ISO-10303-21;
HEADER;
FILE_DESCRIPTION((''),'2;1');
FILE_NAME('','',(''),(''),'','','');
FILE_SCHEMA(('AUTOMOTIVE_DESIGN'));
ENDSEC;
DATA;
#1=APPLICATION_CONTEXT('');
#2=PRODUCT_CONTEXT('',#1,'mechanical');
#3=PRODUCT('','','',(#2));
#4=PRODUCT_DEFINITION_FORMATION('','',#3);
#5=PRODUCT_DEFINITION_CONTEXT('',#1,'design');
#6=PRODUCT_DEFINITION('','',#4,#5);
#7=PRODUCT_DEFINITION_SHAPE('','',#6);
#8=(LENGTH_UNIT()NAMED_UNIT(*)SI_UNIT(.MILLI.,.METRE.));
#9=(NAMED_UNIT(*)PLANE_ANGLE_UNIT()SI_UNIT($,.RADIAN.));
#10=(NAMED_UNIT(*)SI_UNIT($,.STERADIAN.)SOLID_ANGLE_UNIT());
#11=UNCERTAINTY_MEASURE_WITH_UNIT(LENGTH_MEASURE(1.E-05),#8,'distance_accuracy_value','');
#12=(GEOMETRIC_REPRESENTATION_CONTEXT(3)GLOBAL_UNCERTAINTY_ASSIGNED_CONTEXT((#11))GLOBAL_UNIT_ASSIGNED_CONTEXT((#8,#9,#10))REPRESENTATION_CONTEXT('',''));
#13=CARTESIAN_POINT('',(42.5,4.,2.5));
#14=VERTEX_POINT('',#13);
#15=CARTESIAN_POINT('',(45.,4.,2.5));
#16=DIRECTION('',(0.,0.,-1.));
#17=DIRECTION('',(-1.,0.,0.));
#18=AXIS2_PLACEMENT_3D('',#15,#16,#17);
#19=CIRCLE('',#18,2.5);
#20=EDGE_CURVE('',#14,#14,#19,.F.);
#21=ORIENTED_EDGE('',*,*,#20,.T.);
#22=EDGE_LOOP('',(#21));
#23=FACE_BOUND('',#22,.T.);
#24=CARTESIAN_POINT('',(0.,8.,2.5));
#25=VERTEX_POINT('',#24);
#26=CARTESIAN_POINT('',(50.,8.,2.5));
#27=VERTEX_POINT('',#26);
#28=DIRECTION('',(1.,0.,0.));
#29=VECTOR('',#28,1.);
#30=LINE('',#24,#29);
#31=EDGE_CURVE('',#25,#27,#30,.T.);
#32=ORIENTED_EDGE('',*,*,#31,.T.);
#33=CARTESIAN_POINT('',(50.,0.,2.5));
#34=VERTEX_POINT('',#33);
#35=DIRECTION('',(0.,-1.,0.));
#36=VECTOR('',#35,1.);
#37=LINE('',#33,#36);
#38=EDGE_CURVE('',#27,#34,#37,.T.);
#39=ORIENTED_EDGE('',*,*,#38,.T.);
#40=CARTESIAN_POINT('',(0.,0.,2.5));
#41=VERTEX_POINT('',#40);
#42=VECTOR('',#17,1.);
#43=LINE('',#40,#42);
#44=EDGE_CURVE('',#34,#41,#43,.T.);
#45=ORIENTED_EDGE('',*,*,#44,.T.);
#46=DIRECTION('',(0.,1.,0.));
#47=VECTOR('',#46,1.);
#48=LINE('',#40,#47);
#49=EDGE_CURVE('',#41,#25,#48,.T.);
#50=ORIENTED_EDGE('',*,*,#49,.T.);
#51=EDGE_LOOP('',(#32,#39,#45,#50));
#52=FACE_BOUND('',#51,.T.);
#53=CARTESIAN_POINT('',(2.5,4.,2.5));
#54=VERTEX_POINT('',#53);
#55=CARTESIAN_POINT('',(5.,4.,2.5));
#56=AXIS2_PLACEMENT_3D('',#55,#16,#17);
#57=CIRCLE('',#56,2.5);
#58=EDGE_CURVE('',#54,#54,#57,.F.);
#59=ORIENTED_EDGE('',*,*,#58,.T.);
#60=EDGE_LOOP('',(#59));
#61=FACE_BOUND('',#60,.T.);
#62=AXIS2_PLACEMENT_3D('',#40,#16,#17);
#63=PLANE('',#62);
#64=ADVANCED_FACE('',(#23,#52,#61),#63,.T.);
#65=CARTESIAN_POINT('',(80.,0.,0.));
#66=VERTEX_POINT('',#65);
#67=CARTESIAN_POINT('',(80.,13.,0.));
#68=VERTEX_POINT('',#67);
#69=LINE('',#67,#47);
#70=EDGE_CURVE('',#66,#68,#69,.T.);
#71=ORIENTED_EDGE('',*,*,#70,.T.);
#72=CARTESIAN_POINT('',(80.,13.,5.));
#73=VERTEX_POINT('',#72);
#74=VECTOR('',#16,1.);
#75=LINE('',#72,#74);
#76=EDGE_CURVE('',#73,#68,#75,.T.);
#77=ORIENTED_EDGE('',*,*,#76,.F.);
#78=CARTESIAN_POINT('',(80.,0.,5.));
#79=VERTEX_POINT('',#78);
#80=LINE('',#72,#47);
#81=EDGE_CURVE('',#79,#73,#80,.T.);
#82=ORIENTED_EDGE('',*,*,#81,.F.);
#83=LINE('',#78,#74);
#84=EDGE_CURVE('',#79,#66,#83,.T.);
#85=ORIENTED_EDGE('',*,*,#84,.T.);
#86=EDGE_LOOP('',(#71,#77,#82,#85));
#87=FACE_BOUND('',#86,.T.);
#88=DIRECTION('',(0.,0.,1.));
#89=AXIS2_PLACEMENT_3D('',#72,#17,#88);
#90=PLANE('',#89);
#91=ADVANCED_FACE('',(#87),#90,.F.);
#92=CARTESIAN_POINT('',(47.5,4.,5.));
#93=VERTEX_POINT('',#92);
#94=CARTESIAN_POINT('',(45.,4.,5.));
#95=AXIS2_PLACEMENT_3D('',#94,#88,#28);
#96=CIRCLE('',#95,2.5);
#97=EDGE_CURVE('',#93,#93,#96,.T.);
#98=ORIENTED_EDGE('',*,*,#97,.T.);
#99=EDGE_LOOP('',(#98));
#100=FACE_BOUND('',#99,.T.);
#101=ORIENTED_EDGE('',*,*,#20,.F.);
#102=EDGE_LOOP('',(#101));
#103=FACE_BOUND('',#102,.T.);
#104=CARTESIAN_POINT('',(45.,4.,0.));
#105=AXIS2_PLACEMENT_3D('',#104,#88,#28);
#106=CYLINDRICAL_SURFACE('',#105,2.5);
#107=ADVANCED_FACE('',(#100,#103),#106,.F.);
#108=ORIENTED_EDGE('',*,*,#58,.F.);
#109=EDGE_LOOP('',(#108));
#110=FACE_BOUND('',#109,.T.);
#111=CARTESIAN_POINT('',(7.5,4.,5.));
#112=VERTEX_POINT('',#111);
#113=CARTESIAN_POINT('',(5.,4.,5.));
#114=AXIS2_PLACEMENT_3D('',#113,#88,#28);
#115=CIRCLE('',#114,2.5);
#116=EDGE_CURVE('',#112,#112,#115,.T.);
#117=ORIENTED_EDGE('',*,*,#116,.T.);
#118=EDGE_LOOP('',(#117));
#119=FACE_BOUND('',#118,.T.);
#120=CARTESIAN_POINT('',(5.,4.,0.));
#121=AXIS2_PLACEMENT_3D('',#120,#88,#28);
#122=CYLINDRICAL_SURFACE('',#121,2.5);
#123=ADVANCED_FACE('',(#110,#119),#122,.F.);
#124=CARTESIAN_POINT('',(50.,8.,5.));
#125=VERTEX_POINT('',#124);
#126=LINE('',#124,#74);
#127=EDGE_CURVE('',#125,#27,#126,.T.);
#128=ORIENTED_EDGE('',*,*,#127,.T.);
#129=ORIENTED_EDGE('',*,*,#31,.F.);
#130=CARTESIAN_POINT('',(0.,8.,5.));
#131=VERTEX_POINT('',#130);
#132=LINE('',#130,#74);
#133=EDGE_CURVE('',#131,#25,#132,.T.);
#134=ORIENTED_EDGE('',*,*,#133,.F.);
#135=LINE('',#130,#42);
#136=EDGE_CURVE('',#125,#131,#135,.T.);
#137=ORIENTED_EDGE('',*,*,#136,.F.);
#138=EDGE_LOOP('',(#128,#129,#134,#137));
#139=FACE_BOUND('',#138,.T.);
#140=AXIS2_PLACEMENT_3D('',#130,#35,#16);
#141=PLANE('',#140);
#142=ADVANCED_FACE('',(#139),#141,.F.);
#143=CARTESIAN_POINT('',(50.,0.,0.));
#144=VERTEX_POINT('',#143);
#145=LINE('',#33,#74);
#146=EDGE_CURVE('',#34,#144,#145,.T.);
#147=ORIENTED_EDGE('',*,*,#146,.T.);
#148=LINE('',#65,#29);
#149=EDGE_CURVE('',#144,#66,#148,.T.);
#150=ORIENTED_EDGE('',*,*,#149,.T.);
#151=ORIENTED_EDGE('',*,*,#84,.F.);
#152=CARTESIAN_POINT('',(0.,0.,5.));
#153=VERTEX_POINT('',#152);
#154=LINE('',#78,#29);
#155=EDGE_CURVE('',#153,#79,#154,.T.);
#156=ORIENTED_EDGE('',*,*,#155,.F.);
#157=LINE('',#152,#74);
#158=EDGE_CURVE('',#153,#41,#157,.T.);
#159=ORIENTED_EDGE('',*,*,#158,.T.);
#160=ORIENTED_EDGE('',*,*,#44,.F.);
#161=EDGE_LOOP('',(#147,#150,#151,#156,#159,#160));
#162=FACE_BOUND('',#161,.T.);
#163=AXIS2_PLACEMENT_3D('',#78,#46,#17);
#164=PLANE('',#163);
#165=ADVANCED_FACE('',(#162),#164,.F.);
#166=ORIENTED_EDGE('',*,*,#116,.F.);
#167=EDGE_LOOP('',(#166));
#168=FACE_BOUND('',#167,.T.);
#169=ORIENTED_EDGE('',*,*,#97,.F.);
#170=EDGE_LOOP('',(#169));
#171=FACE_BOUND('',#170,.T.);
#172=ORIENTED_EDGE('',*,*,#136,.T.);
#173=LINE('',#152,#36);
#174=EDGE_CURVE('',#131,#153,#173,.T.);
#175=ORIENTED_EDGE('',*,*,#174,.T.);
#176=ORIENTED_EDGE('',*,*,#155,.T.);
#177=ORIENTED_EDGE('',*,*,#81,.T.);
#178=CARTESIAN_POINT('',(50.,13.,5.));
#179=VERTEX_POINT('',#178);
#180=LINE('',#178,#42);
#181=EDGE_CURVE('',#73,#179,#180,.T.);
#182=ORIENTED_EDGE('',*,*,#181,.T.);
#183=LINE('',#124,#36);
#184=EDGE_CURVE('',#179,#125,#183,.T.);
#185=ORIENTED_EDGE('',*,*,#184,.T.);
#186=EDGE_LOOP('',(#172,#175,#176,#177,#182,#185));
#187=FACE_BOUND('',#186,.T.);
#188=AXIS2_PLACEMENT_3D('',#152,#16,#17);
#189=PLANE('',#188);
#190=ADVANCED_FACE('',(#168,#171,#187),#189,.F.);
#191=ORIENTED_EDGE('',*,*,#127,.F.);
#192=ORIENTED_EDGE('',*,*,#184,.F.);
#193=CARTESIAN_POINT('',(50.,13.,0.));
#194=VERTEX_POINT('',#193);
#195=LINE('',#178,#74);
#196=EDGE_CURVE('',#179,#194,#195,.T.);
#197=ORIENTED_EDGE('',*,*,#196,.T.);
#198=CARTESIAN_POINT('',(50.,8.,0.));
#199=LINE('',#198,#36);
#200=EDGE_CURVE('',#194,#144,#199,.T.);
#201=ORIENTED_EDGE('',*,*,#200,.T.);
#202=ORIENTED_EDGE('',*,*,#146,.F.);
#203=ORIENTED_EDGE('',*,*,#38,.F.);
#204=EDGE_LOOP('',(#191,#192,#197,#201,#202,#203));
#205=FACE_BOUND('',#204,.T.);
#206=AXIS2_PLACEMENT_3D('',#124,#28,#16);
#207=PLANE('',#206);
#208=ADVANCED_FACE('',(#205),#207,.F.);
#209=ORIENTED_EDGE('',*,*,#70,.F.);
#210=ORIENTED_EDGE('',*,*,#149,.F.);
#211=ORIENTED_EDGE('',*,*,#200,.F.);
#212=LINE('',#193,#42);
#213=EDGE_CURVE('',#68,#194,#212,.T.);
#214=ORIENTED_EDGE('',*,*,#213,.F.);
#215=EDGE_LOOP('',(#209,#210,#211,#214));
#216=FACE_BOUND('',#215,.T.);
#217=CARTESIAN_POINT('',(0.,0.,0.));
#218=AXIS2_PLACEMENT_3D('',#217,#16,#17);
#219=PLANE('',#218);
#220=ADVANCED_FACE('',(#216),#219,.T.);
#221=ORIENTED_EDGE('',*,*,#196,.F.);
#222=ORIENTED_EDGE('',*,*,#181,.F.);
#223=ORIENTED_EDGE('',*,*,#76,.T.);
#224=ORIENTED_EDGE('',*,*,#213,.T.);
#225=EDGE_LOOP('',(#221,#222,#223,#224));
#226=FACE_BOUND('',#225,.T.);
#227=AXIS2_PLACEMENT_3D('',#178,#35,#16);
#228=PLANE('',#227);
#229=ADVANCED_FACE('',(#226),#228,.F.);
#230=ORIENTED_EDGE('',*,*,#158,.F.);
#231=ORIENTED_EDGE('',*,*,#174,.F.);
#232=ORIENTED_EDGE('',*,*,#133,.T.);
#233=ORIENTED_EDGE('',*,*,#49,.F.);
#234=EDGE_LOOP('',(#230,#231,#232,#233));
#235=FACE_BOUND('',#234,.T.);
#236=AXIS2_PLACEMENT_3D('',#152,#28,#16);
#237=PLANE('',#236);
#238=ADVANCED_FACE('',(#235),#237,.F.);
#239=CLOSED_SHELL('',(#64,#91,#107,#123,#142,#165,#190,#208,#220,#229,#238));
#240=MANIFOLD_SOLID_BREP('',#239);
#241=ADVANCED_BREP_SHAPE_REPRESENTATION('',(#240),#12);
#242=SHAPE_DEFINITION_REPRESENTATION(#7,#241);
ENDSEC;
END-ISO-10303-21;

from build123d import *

# Parameters (mm, degrees)
BOSS_EXTRU_1_DEPTH      = 5
ESQUISSE3_R             = 2.5
ENL_V_MAT_EXTRU_1_DEPTH = 5
ESQUISSE5_W             = 50
ESQUISSE5_H             = 8
ENL_V_MAT_EXTRU_3_DEPTH = 2.5


with BuildPart() as part:
    # Esquisse2 → Boss.-Extru.1 (new body)
    with BuildSketch(Plane.XY):
        Polygon((0, 0), (0, 8), (50, 8), (50, 13), (80, 13), (80, 0), align=None)
    extrude(amount=BOSS_EXTRU_1_DEPTH)

    # Esquisse3 → Enlèv. mat.-Extru.1 (cut)
    with BuildSketch(Plane.XY.offset(5)):
        with Locations((5, 4)):
            Circle(ESQUISSE3_R)
        with Locations((45, 4)):
            Circle(ESQUISSE3_R)
    extrude(amount=-ENL_V_MAT_EXTRU_1_DEPTH, mode=Mode.SUBTRACT)

    # Esquisse5 → Enlèv. mat.-Extru.3 (cut)
    with BuildSketch(Plane(origin=(0, 0, 0), x_dir=(-1, 0, 0), z_dir=(0, 0, -1))):
        with Locations((-25, 4)):
            Rectangle(ESQUISSE5_W, ESQUISSE5_H)
    extrude(amount=-ENL_V_MAT_EXTRU_3_DEPTH, mode=Mode.SUBTRACT)


solid = part.part
